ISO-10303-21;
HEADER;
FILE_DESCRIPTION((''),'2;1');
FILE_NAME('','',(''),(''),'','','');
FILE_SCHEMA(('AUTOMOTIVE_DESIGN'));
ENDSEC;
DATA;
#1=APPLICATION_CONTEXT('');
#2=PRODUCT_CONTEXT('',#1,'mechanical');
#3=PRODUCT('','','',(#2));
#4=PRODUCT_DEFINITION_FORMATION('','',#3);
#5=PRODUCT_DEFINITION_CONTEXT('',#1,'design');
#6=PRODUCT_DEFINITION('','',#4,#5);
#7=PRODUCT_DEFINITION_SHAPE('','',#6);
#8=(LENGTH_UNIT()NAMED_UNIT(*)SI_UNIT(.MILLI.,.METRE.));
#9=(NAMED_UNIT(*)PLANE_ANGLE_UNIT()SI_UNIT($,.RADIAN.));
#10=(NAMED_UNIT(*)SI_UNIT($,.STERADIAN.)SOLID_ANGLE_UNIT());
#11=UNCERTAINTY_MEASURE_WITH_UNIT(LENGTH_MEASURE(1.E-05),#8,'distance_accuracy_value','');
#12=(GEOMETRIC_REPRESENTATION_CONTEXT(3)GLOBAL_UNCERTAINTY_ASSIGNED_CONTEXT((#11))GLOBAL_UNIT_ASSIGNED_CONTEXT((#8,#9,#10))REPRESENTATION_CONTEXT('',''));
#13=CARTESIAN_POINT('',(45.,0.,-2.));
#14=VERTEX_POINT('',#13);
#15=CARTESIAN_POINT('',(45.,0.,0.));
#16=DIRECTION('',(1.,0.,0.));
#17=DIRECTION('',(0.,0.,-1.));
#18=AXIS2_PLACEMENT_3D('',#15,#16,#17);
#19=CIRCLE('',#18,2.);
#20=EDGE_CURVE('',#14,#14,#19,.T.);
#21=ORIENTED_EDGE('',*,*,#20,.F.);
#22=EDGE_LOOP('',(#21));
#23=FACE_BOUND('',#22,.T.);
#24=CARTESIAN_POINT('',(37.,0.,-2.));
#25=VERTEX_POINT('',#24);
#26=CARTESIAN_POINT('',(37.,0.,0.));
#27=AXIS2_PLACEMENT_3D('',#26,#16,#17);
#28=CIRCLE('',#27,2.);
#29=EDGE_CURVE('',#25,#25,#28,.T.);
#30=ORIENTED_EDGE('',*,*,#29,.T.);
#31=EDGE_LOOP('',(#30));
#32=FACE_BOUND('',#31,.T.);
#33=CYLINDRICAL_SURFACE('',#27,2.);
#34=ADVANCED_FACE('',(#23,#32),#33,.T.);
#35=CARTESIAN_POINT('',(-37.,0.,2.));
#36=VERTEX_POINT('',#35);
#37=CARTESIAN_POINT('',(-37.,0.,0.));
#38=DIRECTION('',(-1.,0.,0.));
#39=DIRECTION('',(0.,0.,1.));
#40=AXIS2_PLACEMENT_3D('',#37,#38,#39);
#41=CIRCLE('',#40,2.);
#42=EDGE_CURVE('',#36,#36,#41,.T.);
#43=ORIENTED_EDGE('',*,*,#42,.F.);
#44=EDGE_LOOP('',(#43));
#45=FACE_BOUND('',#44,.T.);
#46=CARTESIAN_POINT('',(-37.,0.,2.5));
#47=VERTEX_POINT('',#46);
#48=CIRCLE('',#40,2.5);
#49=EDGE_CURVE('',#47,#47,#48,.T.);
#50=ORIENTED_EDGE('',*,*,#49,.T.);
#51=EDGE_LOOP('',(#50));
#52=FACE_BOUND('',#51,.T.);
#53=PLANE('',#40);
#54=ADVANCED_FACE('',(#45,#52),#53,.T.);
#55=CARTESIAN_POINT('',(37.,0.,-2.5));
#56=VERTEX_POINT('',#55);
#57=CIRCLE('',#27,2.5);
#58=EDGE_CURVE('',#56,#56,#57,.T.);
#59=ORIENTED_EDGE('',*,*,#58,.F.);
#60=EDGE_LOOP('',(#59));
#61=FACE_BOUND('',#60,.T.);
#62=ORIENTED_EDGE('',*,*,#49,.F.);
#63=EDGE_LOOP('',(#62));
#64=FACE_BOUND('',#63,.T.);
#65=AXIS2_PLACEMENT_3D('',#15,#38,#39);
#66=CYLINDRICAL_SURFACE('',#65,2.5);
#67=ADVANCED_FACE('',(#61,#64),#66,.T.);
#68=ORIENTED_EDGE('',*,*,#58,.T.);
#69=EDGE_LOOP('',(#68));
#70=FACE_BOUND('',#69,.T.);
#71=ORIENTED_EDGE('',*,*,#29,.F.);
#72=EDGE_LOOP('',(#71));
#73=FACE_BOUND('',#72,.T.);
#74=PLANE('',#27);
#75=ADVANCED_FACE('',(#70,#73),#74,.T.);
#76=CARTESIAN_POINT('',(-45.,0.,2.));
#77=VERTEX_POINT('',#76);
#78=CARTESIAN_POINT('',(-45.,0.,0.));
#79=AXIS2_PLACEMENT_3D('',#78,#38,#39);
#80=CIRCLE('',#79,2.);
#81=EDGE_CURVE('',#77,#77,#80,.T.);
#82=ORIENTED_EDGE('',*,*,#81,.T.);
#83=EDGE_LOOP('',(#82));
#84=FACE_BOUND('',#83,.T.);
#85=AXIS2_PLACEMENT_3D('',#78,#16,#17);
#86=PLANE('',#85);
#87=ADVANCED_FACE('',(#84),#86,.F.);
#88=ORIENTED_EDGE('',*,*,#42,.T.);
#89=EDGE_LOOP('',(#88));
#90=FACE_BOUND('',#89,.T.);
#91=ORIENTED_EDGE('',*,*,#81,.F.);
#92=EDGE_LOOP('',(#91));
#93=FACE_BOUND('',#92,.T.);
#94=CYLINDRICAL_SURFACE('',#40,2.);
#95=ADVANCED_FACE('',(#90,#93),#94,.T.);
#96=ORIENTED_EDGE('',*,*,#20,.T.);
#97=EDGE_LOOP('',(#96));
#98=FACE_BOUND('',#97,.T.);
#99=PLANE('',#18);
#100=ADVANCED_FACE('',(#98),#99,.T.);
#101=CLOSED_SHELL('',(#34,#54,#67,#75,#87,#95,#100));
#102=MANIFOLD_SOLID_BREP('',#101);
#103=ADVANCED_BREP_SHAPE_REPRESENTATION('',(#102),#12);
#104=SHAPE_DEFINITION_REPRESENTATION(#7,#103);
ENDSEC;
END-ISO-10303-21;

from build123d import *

# Parameters (mm, degrees)
SKETCH1_R           = 2.5
BOSS_EXTRUDE1_DEPTH = 45
SKETCH2_R           = 2.5
SKETCH2_R_2         = 2
CUT_EXTRUDE1_DEPTH  = 8
SKETCH3_R           = 2.5
SKETCH3_R_2         = 2
CUT_EXTRUDE2_DEPTH  = 8


with BuildPart() as part:
    # Sketch1 → Boss-Extrude1 (new body, symmetric)
    with BuildSketch(Plane(origin=(0, 0, 0), x_dir=(0, 0, -1), z_dir=(1, 0, 0))):
        Circle(SKETCH1_R)
    extrude(amount=BOSS_EXTRUDE1_DEPTH, both=True)

    # Sketch2 → Cut-Extrude1 (cut)
    with BuildSketch(Plane(origin=(45, 0, 0), x_dir=(0, 0, -1), z_dir=(1, 0, 0))):
        Circle(SKETCH2_R)
        Circle(SKETCH2_R_2, mode=Mode.SUBTRACT)
    extrude(amount=-CUT_EXTRUDE1_DEPTH, mode=Mode.SUBTRACT)

    # Sketch3 → Cut-Extrude2 (cut)
    with BuildSketch(Plane.ZY.offset(45)):
        Circle(SKETCH3_R)
        Circle(SKETCH3_R_2, mode=Mode.SUBTRACT)
    extrude(amount=-CUT_EXTRUDE2_DEPTH, mode=Mode.SUBTRACT)


solid = part.part
